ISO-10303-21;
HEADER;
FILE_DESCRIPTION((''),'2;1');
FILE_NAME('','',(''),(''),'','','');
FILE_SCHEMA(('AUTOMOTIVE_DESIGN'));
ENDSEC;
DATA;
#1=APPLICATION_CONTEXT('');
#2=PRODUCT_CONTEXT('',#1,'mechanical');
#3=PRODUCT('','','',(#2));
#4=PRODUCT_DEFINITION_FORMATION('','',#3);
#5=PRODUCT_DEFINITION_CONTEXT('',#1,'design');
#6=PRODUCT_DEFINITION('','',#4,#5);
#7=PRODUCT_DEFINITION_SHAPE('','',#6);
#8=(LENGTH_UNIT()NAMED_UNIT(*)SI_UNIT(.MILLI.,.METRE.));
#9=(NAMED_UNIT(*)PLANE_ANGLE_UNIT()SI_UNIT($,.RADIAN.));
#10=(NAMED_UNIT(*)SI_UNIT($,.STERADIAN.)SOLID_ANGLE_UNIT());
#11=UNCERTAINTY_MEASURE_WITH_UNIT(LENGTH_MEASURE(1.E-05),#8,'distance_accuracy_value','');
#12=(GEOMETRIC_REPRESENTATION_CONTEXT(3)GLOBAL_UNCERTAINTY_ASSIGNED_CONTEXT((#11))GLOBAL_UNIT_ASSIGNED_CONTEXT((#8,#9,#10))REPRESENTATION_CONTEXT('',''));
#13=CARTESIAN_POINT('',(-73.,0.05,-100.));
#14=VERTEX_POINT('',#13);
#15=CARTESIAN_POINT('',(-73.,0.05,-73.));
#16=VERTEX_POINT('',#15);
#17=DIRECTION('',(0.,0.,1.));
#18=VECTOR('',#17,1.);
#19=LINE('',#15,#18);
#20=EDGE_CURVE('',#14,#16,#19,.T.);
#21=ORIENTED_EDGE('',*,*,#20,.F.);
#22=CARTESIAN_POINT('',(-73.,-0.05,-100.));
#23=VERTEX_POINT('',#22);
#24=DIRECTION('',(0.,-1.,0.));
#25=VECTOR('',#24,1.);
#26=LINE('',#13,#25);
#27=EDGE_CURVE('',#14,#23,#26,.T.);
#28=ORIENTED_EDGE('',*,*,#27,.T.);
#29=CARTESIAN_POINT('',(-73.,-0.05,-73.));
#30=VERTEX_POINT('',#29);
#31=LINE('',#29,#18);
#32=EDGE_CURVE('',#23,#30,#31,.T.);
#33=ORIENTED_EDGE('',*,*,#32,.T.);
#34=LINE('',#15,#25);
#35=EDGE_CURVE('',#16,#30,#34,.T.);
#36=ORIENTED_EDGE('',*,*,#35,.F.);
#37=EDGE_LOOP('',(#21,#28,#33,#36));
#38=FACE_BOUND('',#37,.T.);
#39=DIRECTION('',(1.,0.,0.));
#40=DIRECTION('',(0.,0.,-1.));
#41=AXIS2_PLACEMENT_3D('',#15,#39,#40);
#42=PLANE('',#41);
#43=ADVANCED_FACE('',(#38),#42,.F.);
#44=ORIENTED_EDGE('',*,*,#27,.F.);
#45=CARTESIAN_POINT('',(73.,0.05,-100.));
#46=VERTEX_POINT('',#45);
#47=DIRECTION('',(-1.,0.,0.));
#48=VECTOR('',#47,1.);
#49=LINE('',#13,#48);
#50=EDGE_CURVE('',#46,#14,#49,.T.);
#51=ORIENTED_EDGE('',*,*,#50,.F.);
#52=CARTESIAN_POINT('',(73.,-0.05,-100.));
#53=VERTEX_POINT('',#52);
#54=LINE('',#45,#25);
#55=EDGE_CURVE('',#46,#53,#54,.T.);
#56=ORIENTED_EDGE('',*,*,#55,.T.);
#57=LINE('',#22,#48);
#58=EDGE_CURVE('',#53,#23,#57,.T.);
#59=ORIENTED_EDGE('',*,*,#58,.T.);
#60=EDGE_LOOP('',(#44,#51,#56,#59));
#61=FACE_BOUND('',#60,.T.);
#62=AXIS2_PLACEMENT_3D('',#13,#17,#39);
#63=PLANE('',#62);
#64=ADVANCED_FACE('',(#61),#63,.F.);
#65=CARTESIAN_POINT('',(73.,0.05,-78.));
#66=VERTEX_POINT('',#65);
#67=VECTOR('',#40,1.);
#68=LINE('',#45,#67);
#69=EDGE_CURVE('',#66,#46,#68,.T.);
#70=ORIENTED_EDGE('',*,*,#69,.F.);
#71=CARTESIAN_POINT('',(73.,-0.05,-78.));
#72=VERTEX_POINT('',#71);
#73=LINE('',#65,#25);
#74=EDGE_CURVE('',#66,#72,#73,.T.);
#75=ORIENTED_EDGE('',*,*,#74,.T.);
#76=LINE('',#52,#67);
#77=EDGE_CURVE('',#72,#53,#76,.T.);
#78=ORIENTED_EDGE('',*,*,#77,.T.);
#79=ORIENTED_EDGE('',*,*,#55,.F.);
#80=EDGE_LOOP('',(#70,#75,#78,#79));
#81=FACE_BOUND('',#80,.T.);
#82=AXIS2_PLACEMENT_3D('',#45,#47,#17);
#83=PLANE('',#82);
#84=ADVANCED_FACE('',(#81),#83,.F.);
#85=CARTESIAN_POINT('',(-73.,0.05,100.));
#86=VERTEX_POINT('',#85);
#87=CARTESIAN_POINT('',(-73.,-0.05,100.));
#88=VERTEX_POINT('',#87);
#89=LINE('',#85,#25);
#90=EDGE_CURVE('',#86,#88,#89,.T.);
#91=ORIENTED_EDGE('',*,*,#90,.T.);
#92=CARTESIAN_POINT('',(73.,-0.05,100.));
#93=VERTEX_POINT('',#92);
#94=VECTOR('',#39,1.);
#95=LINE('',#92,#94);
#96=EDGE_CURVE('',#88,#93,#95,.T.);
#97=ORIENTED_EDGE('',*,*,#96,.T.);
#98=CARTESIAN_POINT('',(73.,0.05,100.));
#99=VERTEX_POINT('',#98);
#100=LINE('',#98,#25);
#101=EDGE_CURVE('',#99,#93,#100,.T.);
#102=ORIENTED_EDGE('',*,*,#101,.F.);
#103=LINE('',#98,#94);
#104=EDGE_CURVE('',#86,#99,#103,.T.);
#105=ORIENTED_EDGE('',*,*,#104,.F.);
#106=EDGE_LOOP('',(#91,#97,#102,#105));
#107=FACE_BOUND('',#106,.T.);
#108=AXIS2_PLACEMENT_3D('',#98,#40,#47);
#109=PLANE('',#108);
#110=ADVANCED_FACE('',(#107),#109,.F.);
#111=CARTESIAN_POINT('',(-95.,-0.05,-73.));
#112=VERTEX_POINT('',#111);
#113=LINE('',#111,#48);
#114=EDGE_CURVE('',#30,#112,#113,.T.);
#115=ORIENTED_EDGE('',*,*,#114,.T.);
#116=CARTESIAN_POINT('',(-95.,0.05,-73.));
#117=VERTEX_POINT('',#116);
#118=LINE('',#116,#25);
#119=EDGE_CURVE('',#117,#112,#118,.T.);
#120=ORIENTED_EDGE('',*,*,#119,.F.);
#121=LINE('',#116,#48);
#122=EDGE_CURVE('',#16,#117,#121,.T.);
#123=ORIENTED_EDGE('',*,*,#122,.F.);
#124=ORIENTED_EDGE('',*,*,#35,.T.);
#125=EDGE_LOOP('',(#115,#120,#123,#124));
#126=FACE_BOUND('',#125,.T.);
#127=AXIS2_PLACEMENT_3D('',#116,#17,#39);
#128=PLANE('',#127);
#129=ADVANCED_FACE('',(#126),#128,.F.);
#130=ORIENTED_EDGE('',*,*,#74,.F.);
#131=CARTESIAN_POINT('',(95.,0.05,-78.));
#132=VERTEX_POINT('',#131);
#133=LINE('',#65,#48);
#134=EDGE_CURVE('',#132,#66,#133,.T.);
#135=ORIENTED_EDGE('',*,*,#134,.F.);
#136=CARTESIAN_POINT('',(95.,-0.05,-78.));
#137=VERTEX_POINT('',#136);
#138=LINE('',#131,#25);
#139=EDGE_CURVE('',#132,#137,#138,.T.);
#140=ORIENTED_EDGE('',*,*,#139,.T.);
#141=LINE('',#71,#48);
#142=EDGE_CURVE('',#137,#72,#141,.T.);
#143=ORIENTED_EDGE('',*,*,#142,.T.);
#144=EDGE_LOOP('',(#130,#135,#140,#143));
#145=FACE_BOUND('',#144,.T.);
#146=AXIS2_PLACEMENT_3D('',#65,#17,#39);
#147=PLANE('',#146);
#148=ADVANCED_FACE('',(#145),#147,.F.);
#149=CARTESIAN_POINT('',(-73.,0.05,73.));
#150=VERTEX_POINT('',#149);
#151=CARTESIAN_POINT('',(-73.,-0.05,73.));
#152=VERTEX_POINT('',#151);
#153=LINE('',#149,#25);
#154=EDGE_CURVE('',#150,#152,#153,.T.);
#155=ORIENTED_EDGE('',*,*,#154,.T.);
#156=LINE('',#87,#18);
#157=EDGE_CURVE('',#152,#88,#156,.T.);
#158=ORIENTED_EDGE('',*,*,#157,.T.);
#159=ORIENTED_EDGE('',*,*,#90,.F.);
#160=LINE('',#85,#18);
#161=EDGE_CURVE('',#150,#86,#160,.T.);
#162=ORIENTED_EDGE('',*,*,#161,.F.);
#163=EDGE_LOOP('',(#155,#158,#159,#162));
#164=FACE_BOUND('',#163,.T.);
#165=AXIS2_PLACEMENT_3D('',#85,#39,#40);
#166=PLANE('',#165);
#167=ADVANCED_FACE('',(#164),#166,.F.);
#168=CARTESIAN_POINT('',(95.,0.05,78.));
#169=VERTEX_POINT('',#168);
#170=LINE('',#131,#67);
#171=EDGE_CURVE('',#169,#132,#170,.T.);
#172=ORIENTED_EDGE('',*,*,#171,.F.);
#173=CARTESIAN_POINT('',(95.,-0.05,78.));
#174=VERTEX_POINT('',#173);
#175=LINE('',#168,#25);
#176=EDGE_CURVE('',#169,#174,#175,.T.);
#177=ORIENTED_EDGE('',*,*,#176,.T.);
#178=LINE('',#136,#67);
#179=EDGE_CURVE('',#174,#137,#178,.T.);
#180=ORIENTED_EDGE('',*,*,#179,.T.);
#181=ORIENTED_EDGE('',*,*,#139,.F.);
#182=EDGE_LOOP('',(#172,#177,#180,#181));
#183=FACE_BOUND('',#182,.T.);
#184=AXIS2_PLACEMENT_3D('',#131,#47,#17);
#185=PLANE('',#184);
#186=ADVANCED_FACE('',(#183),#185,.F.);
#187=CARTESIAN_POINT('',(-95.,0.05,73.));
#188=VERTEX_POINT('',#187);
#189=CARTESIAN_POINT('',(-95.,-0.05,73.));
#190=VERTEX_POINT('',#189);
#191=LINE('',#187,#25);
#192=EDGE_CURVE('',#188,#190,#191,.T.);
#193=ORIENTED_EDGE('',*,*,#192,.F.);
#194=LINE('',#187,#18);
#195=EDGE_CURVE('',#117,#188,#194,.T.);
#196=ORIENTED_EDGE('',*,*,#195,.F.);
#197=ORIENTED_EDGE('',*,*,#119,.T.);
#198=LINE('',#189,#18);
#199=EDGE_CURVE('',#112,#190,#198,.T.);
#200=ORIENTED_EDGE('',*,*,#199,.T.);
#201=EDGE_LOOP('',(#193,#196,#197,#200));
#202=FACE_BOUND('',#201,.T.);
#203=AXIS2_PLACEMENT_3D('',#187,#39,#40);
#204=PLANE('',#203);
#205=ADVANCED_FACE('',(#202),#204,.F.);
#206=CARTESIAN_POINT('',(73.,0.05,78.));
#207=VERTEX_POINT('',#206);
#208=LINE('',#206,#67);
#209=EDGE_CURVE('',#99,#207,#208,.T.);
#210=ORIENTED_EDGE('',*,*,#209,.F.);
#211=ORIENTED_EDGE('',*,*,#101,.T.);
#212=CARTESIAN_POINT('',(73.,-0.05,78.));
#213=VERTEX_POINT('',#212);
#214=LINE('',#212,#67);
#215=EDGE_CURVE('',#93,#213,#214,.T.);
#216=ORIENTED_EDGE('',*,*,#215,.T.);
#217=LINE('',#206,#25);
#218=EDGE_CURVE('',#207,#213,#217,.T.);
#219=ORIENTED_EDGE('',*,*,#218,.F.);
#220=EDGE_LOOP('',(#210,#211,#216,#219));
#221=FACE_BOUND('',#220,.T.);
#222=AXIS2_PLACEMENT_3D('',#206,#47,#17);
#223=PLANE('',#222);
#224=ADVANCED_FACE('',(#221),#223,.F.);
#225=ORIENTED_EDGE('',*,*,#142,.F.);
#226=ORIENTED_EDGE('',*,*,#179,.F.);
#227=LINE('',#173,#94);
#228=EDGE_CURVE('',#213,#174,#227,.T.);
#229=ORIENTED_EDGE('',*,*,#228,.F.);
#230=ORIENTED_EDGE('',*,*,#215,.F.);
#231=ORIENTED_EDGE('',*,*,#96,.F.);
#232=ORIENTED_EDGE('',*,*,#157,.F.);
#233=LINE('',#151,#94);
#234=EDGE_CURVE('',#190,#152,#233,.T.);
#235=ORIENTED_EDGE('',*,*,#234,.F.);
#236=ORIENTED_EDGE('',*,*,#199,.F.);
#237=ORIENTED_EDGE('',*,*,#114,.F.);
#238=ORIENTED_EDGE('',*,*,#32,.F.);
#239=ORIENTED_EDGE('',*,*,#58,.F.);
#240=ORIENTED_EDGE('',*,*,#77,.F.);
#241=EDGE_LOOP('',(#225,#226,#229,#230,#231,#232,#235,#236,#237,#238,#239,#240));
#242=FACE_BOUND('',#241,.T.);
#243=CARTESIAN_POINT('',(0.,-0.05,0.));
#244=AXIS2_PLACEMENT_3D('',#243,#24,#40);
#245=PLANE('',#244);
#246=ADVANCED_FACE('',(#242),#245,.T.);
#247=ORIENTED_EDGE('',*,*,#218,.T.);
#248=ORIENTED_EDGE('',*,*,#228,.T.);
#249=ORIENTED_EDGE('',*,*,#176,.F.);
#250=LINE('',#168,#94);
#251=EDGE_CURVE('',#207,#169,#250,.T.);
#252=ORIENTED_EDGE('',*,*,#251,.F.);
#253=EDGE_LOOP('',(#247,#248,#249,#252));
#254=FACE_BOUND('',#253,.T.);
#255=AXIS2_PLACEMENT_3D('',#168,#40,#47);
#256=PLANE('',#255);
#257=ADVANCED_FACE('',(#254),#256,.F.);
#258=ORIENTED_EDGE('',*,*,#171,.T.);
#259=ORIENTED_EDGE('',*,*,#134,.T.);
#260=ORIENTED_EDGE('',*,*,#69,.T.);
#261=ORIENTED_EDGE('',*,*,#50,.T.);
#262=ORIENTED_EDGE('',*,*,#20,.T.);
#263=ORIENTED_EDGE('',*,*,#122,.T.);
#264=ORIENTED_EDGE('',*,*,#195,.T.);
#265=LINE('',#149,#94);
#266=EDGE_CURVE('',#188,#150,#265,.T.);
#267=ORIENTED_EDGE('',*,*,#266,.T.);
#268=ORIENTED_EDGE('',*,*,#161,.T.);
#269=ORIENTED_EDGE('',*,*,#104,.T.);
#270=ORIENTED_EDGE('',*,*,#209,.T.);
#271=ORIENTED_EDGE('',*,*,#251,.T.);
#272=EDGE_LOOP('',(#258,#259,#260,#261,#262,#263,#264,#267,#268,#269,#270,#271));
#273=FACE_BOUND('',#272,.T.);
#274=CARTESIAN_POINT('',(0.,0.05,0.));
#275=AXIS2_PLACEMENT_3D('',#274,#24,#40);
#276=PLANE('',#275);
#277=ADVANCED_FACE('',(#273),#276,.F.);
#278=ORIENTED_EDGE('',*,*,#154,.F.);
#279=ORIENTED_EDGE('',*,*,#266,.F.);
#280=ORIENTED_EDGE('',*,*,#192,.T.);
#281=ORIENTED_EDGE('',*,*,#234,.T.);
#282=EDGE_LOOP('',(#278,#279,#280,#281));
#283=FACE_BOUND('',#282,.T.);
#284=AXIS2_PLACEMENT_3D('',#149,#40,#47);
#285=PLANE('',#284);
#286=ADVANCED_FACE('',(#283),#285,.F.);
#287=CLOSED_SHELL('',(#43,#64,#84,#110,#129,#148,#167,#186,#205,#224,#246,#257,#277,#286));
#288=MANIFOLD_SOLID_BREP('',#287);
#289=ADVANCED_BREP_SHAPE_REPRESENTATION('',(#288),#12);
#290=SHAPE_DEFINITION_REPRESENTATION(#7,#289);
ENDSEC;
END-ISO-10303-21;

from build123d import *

# Parameters (mm, degrees)
BOSS_EXTRUDE1_DEPTH = 0.05


with BuildPart() as part:
    # Sketch1 → Boss-Extrude1 (new, symmetric)
    with BuildSketch(Plane(origin=(0, 0, 0), x_dir=(1, 0, 0), z_dir=(0, 1, 0))):
        Polygon((-73, 100), (73, 100), (73, 78), (95, 78), (95, -78), (73, -78), (73, -100), (-73, -100), (-73, -73), (-95, -73), (-95, 73), (-73, 73), align=None)
    extrude(amount=BOSS_EXTRUDE1_DEPTH, both=True)


solid = part.part
